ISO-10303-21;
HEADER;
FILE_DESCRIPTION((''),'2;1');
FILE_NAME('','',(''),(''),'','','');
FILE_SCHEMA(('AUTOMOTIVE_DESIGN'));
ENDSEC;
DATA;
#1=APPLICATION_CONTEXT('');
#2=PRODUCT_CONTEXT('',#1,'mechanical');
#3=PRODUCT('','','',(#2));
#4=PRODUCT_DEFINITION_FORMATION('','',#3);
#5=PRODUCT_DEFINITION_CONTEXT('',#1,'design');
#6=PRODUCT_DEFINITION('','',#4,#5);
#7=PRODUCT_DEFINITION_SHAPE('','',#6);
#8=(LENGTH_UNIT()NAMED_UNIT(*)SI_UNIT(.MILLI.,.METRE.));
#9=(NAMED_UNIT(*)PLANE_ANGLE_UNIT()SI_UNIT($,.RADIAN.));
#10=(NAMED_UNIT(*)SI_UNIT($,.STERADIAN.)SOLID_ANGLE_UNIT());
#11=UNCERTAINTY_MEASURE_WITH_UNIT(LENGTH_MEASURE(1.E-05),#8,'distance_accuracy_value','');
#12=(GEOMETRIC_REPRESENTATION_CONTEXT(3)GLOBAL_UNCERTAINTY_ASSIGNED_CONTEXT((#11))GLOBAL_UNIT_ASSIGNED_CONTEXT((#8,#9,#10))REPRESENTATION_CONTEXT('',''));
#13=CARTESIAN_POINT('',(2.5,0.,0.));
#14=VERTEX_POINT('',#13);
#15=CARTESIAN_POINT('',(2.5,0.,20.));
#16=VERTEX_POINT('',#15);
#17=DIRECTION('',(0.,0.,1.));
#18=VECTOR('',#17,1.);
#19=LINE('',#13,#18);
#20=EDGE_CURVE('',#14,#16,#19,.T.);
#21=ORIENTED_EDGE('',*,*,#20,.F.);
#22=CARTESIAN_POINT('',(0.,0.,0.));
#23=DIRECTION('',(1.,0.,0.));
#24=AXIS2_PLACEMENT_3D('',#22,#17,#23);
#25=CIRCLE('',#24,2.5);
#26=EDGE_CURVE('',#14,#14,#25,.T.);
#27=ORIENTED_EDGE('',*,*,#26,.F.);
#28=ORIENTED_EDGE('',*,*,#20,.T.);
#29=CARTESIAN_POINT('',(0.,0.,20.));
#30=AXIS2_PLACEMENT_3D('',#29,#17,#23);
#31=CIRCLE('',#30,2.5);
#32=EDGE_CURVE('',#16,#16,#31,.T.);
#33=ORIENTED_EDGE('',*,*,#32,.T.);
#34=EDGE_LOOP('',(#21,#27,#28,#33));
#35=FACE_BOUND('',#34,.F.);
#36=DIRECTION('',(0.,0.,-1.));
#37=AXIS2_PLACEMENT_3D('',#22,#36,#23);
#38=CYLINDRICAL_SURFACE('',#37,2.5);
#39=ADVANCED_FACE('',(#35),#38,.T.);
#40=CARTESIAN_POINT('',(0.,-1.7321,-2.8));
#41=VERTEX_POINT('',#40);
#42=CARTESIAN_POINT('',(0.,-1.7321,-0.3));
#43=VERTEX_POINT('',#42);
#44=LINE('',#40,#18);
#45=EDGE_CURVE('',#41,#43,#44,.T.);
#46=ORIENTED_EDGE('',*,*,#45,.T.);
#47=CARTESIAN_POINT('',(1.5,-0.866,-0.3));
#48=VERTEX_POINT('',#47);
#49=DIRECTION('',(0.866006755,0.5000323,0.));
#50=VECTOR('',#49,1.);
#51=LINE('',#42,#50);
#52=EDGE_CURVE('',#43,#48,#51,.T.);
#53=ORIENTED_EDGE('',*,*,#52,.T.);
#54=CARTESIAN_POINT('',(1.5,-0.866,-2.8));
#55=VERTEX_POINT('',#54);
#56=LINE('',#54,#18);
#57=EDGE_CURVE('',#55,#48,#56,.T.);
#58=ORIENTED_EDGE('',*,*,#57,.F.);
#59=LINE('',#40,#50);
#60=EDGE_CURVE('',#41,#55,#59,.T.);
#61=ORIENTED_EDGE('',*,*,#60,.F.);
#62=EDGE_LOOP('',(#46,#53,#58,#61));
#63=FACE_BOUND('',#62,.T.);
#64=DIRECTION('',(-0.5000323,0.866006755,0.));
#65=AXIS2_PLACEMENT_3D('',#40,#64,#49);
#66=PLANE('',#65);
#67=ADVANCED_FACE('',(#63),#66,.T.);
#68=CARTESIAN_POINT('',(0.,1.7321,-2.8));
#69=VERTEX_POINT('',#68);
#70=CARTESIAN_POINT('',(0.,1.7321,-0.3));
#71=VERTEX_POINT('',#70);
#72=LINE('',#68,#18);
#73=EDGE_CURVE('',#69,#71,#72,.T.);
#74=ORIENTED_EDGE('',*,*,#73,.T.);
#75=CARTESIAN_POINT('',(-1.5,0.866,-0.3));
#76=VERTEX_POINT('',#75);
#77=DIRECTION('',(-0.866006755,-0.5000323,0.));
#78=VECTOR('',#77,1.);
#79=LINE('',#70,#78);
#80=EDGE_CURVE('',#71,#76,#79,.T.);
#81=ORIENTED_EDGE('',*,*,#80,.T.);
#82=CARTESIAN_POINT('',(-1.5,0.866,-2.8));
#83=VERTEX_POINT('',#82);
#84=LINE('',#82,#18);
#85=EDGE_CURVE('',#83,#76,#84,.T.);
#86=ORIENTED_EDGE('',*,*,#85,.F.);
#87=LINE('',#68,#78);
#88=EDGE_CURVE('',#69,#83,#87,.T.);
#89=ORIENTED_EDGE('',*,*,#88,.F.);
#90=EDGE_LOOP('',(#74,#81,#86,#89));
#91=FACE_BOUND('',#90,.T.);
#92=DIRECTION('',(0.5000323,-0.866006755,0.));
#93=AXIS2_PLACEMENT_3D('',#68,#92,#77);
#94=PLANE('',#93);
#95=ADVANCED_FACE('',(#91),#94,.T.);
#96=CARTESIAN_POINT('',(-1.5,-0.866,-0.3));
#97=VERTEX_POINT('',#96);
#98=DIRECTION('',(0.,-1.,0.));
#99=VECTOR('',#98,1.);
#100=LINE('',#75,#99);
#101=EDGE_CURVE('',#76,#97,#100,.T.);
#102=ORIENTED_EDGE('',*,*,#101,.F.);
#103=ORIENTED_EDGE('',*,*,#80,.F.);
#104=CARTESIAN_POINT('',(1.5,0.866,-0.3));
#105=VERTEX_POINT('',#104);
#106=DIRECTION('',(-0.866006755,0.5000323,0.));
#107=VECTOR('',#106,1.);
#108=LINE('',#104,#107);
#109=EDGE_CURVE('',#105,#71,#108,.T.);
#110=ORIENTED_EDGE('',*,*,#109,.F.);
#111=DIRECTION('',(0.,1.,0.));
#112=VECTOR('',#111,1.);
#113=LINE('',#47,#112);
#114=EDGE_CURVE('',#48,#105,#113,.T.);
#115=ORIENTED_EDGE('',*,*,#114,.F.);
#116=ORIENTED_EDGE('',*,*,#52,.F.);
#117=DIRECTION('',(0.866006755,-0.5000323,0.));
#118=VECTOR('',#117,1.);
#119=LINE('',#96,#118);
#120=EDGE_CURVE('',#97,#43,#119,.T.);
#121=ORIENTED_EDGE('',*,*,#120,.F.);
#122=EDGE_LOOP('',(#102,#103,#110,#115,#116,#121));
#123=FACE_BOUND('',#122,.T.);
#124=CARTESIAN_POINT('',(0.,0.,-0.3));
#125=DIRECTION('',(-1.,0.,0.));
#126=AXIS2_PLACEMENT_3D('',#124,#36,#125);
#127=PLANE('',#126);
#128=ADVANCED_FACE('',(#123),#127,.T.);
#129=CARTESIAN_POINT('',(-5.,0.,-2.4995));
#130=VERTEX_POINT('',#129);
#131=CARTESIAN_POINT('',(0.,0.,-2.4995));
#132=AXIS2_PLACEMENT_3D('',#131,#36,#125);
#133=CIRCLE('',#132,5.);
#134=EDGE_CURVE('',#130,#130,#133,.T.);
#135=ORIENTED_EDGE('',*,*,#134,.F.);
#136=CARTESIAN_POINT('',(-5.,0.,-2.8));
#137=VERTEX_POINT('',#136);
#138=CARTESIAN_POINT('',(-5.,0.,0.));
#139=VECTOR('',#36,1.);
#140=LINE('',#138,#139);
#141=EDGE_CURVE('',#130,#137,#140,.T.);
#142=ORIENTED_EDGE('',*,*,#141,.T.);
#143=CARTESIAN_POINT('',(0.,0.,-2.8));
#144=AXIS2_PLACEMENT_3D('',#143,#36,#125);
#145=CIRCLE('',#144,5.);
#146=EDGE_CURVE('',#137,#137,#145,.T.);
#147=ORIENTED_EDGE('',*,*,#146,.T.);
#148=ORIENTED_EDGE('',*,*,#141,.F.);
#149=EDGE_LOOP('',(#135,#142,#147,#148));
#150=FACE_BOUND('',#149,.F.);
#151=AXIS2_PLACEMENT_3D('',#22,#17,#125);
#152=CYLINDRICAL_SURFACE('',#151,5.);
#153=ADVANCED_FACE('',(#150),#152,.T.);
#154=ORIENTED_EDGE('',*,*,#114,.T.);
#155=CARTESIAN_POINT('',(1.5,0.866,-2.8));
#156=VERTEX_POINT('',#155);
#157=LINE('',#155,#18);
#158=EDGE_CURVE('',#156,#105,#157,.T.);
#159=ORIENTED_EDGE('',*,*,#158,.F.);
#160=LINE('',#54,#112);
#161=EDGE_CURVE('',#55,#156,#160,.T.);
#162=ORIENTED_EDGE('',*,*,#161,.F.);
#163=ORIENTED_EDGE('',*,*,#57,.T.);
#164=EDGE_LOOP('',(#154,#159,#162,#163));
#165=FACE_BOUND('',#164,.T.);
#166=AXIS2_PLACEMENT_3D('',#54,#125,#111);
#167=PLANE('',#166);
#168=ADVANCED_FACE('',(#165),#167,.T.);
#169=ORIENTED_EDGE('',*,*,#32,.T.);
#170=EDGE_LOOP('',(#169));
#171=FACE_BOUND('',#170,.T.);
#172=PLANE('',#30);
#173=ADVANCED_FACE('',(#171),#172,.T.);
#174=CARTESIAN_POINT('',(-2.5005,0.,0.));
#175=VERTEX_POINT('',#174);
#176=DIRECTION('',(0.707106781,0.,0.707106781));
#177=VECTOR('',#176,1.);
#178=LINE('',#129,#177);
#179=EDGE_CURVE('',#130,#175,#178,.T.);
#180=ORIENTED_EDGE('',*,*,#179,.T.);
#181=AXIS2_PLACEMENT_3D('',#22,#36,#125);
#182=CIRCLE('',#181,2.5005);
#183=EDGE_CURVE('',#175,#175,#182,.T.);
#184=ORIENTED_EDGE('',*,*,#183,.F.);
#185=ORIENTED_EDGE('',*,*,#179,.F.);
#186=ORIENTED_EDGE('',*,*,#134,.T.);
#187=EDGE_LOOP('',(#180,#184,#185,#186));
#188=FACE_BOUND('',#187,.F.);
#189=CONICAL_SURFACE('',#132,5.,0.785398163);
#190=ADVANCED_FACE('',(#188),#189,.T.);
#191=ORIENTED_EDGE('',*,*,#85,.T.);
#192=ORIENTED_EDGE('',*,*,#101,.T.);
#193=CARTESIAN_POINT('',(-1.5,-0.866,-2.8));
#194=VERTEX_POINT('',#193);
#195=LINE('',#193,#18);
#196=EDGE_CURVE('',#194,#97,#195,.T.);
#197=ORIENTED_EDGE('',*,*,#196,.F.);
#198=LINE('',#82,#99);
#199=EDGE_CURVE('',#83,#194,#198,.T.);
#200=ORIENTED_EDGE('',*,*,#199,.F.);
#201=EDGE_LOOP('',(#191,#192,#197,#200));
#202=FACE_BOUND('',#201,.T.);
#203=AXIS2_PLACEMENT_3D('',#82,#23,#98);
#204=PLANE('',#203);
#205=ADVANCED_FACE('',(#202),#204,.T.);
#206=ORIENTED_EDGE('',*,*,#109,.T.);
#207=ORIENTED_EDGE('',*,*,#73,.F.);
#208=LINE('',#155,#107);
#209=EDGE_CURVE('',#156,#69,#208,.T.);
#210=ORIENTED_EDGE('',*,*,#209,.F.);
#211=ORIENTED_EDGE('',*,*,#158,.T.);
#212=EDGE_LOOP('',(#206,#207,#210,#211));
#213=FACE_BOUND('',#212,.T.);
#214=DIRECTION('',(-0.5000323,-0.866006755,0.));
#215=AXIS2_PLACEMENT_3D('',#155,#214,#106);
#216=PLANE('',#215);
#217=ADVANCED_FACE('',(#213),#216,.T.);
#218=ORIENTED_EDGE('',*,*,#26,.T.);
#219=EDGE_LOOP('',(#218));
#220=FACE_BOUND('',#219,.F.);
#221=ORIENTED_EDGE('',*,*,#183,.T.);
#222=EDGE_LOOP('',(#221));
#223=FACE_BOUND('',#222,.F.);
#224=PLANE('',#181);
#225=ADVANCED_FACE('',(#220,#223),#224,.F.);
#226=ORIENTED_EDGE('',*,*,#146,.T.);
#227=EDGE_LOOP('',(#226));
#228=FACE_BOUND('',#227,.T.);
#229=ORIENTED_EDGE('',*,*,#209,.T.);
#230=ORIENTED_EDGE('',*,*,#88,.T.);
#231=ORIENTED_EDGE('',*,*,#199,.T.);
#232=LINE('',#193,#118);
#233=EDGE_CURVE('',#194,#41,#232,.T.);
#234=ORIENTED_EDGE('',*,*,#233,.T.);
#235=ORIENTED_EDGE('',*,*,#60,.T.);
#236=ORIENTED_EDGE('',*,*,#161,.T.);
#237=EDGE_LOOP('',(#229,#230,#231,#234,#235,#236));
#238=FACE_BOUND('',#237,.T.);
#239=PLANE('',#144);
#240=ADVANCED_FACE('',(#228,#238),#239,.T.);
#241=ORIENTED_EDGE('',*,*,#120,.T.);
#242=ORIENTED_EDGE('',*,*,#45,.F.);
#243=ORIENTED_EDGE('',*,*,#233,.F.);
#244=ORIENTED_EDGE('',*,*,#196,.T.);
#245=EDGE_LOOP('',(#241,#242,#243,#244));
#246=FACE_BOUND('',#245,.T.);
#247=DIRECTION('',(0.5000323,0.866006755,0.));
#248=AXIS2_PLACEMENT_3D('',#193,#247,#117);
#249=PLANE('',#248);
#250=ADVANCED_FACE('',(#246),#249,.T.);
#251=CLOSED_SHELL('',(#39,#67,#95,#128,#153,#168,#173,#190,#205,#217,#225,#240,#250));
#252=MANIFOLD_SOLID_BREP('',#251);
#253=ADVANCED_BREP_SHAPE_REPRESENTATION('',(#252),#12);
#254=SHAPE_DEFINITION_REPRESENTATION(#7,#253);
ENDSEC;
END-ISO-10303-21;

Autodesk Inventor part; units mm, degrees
ref_plane "YZ Plane" through (0, 0, 0) normal (1, 0, 0) x (0, 1, 0)
ref_plane "XZ Plane" through (0, 0, 0) normal (0, 1, 0) x (-1, 0, 0)
ref_plane "XY Plane" through (0, 0, 0) normal (0, 0, 1) x (1, 0, 0)
sketch "スケッチ1" plane through (0, 0, 0) normal (0, 0, 1) x (1, 0, 0)
  circle A0 centre (0, 0) radius 2.5
  dimension "d0" = 5
extrude "押し出し1" add sketch "スケッチ1" along normal blind 20
sketch "スケッチ2" plane through (0, 0, 0) normal (0, 0, -1) x (-1, 0, 0)
  circle A0 centre (0, 0) radius 5
  dimension "d3" = 10
extrude "押し出し2" add sketch "スケッチ2" along normal blind 2.8
chamfer "面取り1" distance 2.5 angle 45 1 edges at (5, 0, 0)
sketch "スケッチ3" plane through (0, 0, -2.8) normal (0, 0, -1) x (-1, 0, 0)
  line L0 (0, 1.7321) -> (1.5, 0.866)
  line L1 (1.5, 0.866) -> (1.5, -0.866)
  line L2 (1.5, -0.866) -> (0, -1.7321)
  line L3 (0, -1.7321) -> (-1.5, -0.866)
  line L4 (-1.5, -0.866) -> (-1.5, 0.866)
  line L5 (-1.5, 0.866) -> (0, 1.7321)
  point P0 (0, 0)
  point P1 (0, 0)
  dimension "d12" = 3
extrude "押し出し3" cut sketch "スケッチ3" against normal blind 2.5
thread "ねじ1" size "M5x0.8" class "6g" standard "ANSI Metric M Profile" full length
properties part number "M5皿ネジ 20" material "鉄 灰色"
